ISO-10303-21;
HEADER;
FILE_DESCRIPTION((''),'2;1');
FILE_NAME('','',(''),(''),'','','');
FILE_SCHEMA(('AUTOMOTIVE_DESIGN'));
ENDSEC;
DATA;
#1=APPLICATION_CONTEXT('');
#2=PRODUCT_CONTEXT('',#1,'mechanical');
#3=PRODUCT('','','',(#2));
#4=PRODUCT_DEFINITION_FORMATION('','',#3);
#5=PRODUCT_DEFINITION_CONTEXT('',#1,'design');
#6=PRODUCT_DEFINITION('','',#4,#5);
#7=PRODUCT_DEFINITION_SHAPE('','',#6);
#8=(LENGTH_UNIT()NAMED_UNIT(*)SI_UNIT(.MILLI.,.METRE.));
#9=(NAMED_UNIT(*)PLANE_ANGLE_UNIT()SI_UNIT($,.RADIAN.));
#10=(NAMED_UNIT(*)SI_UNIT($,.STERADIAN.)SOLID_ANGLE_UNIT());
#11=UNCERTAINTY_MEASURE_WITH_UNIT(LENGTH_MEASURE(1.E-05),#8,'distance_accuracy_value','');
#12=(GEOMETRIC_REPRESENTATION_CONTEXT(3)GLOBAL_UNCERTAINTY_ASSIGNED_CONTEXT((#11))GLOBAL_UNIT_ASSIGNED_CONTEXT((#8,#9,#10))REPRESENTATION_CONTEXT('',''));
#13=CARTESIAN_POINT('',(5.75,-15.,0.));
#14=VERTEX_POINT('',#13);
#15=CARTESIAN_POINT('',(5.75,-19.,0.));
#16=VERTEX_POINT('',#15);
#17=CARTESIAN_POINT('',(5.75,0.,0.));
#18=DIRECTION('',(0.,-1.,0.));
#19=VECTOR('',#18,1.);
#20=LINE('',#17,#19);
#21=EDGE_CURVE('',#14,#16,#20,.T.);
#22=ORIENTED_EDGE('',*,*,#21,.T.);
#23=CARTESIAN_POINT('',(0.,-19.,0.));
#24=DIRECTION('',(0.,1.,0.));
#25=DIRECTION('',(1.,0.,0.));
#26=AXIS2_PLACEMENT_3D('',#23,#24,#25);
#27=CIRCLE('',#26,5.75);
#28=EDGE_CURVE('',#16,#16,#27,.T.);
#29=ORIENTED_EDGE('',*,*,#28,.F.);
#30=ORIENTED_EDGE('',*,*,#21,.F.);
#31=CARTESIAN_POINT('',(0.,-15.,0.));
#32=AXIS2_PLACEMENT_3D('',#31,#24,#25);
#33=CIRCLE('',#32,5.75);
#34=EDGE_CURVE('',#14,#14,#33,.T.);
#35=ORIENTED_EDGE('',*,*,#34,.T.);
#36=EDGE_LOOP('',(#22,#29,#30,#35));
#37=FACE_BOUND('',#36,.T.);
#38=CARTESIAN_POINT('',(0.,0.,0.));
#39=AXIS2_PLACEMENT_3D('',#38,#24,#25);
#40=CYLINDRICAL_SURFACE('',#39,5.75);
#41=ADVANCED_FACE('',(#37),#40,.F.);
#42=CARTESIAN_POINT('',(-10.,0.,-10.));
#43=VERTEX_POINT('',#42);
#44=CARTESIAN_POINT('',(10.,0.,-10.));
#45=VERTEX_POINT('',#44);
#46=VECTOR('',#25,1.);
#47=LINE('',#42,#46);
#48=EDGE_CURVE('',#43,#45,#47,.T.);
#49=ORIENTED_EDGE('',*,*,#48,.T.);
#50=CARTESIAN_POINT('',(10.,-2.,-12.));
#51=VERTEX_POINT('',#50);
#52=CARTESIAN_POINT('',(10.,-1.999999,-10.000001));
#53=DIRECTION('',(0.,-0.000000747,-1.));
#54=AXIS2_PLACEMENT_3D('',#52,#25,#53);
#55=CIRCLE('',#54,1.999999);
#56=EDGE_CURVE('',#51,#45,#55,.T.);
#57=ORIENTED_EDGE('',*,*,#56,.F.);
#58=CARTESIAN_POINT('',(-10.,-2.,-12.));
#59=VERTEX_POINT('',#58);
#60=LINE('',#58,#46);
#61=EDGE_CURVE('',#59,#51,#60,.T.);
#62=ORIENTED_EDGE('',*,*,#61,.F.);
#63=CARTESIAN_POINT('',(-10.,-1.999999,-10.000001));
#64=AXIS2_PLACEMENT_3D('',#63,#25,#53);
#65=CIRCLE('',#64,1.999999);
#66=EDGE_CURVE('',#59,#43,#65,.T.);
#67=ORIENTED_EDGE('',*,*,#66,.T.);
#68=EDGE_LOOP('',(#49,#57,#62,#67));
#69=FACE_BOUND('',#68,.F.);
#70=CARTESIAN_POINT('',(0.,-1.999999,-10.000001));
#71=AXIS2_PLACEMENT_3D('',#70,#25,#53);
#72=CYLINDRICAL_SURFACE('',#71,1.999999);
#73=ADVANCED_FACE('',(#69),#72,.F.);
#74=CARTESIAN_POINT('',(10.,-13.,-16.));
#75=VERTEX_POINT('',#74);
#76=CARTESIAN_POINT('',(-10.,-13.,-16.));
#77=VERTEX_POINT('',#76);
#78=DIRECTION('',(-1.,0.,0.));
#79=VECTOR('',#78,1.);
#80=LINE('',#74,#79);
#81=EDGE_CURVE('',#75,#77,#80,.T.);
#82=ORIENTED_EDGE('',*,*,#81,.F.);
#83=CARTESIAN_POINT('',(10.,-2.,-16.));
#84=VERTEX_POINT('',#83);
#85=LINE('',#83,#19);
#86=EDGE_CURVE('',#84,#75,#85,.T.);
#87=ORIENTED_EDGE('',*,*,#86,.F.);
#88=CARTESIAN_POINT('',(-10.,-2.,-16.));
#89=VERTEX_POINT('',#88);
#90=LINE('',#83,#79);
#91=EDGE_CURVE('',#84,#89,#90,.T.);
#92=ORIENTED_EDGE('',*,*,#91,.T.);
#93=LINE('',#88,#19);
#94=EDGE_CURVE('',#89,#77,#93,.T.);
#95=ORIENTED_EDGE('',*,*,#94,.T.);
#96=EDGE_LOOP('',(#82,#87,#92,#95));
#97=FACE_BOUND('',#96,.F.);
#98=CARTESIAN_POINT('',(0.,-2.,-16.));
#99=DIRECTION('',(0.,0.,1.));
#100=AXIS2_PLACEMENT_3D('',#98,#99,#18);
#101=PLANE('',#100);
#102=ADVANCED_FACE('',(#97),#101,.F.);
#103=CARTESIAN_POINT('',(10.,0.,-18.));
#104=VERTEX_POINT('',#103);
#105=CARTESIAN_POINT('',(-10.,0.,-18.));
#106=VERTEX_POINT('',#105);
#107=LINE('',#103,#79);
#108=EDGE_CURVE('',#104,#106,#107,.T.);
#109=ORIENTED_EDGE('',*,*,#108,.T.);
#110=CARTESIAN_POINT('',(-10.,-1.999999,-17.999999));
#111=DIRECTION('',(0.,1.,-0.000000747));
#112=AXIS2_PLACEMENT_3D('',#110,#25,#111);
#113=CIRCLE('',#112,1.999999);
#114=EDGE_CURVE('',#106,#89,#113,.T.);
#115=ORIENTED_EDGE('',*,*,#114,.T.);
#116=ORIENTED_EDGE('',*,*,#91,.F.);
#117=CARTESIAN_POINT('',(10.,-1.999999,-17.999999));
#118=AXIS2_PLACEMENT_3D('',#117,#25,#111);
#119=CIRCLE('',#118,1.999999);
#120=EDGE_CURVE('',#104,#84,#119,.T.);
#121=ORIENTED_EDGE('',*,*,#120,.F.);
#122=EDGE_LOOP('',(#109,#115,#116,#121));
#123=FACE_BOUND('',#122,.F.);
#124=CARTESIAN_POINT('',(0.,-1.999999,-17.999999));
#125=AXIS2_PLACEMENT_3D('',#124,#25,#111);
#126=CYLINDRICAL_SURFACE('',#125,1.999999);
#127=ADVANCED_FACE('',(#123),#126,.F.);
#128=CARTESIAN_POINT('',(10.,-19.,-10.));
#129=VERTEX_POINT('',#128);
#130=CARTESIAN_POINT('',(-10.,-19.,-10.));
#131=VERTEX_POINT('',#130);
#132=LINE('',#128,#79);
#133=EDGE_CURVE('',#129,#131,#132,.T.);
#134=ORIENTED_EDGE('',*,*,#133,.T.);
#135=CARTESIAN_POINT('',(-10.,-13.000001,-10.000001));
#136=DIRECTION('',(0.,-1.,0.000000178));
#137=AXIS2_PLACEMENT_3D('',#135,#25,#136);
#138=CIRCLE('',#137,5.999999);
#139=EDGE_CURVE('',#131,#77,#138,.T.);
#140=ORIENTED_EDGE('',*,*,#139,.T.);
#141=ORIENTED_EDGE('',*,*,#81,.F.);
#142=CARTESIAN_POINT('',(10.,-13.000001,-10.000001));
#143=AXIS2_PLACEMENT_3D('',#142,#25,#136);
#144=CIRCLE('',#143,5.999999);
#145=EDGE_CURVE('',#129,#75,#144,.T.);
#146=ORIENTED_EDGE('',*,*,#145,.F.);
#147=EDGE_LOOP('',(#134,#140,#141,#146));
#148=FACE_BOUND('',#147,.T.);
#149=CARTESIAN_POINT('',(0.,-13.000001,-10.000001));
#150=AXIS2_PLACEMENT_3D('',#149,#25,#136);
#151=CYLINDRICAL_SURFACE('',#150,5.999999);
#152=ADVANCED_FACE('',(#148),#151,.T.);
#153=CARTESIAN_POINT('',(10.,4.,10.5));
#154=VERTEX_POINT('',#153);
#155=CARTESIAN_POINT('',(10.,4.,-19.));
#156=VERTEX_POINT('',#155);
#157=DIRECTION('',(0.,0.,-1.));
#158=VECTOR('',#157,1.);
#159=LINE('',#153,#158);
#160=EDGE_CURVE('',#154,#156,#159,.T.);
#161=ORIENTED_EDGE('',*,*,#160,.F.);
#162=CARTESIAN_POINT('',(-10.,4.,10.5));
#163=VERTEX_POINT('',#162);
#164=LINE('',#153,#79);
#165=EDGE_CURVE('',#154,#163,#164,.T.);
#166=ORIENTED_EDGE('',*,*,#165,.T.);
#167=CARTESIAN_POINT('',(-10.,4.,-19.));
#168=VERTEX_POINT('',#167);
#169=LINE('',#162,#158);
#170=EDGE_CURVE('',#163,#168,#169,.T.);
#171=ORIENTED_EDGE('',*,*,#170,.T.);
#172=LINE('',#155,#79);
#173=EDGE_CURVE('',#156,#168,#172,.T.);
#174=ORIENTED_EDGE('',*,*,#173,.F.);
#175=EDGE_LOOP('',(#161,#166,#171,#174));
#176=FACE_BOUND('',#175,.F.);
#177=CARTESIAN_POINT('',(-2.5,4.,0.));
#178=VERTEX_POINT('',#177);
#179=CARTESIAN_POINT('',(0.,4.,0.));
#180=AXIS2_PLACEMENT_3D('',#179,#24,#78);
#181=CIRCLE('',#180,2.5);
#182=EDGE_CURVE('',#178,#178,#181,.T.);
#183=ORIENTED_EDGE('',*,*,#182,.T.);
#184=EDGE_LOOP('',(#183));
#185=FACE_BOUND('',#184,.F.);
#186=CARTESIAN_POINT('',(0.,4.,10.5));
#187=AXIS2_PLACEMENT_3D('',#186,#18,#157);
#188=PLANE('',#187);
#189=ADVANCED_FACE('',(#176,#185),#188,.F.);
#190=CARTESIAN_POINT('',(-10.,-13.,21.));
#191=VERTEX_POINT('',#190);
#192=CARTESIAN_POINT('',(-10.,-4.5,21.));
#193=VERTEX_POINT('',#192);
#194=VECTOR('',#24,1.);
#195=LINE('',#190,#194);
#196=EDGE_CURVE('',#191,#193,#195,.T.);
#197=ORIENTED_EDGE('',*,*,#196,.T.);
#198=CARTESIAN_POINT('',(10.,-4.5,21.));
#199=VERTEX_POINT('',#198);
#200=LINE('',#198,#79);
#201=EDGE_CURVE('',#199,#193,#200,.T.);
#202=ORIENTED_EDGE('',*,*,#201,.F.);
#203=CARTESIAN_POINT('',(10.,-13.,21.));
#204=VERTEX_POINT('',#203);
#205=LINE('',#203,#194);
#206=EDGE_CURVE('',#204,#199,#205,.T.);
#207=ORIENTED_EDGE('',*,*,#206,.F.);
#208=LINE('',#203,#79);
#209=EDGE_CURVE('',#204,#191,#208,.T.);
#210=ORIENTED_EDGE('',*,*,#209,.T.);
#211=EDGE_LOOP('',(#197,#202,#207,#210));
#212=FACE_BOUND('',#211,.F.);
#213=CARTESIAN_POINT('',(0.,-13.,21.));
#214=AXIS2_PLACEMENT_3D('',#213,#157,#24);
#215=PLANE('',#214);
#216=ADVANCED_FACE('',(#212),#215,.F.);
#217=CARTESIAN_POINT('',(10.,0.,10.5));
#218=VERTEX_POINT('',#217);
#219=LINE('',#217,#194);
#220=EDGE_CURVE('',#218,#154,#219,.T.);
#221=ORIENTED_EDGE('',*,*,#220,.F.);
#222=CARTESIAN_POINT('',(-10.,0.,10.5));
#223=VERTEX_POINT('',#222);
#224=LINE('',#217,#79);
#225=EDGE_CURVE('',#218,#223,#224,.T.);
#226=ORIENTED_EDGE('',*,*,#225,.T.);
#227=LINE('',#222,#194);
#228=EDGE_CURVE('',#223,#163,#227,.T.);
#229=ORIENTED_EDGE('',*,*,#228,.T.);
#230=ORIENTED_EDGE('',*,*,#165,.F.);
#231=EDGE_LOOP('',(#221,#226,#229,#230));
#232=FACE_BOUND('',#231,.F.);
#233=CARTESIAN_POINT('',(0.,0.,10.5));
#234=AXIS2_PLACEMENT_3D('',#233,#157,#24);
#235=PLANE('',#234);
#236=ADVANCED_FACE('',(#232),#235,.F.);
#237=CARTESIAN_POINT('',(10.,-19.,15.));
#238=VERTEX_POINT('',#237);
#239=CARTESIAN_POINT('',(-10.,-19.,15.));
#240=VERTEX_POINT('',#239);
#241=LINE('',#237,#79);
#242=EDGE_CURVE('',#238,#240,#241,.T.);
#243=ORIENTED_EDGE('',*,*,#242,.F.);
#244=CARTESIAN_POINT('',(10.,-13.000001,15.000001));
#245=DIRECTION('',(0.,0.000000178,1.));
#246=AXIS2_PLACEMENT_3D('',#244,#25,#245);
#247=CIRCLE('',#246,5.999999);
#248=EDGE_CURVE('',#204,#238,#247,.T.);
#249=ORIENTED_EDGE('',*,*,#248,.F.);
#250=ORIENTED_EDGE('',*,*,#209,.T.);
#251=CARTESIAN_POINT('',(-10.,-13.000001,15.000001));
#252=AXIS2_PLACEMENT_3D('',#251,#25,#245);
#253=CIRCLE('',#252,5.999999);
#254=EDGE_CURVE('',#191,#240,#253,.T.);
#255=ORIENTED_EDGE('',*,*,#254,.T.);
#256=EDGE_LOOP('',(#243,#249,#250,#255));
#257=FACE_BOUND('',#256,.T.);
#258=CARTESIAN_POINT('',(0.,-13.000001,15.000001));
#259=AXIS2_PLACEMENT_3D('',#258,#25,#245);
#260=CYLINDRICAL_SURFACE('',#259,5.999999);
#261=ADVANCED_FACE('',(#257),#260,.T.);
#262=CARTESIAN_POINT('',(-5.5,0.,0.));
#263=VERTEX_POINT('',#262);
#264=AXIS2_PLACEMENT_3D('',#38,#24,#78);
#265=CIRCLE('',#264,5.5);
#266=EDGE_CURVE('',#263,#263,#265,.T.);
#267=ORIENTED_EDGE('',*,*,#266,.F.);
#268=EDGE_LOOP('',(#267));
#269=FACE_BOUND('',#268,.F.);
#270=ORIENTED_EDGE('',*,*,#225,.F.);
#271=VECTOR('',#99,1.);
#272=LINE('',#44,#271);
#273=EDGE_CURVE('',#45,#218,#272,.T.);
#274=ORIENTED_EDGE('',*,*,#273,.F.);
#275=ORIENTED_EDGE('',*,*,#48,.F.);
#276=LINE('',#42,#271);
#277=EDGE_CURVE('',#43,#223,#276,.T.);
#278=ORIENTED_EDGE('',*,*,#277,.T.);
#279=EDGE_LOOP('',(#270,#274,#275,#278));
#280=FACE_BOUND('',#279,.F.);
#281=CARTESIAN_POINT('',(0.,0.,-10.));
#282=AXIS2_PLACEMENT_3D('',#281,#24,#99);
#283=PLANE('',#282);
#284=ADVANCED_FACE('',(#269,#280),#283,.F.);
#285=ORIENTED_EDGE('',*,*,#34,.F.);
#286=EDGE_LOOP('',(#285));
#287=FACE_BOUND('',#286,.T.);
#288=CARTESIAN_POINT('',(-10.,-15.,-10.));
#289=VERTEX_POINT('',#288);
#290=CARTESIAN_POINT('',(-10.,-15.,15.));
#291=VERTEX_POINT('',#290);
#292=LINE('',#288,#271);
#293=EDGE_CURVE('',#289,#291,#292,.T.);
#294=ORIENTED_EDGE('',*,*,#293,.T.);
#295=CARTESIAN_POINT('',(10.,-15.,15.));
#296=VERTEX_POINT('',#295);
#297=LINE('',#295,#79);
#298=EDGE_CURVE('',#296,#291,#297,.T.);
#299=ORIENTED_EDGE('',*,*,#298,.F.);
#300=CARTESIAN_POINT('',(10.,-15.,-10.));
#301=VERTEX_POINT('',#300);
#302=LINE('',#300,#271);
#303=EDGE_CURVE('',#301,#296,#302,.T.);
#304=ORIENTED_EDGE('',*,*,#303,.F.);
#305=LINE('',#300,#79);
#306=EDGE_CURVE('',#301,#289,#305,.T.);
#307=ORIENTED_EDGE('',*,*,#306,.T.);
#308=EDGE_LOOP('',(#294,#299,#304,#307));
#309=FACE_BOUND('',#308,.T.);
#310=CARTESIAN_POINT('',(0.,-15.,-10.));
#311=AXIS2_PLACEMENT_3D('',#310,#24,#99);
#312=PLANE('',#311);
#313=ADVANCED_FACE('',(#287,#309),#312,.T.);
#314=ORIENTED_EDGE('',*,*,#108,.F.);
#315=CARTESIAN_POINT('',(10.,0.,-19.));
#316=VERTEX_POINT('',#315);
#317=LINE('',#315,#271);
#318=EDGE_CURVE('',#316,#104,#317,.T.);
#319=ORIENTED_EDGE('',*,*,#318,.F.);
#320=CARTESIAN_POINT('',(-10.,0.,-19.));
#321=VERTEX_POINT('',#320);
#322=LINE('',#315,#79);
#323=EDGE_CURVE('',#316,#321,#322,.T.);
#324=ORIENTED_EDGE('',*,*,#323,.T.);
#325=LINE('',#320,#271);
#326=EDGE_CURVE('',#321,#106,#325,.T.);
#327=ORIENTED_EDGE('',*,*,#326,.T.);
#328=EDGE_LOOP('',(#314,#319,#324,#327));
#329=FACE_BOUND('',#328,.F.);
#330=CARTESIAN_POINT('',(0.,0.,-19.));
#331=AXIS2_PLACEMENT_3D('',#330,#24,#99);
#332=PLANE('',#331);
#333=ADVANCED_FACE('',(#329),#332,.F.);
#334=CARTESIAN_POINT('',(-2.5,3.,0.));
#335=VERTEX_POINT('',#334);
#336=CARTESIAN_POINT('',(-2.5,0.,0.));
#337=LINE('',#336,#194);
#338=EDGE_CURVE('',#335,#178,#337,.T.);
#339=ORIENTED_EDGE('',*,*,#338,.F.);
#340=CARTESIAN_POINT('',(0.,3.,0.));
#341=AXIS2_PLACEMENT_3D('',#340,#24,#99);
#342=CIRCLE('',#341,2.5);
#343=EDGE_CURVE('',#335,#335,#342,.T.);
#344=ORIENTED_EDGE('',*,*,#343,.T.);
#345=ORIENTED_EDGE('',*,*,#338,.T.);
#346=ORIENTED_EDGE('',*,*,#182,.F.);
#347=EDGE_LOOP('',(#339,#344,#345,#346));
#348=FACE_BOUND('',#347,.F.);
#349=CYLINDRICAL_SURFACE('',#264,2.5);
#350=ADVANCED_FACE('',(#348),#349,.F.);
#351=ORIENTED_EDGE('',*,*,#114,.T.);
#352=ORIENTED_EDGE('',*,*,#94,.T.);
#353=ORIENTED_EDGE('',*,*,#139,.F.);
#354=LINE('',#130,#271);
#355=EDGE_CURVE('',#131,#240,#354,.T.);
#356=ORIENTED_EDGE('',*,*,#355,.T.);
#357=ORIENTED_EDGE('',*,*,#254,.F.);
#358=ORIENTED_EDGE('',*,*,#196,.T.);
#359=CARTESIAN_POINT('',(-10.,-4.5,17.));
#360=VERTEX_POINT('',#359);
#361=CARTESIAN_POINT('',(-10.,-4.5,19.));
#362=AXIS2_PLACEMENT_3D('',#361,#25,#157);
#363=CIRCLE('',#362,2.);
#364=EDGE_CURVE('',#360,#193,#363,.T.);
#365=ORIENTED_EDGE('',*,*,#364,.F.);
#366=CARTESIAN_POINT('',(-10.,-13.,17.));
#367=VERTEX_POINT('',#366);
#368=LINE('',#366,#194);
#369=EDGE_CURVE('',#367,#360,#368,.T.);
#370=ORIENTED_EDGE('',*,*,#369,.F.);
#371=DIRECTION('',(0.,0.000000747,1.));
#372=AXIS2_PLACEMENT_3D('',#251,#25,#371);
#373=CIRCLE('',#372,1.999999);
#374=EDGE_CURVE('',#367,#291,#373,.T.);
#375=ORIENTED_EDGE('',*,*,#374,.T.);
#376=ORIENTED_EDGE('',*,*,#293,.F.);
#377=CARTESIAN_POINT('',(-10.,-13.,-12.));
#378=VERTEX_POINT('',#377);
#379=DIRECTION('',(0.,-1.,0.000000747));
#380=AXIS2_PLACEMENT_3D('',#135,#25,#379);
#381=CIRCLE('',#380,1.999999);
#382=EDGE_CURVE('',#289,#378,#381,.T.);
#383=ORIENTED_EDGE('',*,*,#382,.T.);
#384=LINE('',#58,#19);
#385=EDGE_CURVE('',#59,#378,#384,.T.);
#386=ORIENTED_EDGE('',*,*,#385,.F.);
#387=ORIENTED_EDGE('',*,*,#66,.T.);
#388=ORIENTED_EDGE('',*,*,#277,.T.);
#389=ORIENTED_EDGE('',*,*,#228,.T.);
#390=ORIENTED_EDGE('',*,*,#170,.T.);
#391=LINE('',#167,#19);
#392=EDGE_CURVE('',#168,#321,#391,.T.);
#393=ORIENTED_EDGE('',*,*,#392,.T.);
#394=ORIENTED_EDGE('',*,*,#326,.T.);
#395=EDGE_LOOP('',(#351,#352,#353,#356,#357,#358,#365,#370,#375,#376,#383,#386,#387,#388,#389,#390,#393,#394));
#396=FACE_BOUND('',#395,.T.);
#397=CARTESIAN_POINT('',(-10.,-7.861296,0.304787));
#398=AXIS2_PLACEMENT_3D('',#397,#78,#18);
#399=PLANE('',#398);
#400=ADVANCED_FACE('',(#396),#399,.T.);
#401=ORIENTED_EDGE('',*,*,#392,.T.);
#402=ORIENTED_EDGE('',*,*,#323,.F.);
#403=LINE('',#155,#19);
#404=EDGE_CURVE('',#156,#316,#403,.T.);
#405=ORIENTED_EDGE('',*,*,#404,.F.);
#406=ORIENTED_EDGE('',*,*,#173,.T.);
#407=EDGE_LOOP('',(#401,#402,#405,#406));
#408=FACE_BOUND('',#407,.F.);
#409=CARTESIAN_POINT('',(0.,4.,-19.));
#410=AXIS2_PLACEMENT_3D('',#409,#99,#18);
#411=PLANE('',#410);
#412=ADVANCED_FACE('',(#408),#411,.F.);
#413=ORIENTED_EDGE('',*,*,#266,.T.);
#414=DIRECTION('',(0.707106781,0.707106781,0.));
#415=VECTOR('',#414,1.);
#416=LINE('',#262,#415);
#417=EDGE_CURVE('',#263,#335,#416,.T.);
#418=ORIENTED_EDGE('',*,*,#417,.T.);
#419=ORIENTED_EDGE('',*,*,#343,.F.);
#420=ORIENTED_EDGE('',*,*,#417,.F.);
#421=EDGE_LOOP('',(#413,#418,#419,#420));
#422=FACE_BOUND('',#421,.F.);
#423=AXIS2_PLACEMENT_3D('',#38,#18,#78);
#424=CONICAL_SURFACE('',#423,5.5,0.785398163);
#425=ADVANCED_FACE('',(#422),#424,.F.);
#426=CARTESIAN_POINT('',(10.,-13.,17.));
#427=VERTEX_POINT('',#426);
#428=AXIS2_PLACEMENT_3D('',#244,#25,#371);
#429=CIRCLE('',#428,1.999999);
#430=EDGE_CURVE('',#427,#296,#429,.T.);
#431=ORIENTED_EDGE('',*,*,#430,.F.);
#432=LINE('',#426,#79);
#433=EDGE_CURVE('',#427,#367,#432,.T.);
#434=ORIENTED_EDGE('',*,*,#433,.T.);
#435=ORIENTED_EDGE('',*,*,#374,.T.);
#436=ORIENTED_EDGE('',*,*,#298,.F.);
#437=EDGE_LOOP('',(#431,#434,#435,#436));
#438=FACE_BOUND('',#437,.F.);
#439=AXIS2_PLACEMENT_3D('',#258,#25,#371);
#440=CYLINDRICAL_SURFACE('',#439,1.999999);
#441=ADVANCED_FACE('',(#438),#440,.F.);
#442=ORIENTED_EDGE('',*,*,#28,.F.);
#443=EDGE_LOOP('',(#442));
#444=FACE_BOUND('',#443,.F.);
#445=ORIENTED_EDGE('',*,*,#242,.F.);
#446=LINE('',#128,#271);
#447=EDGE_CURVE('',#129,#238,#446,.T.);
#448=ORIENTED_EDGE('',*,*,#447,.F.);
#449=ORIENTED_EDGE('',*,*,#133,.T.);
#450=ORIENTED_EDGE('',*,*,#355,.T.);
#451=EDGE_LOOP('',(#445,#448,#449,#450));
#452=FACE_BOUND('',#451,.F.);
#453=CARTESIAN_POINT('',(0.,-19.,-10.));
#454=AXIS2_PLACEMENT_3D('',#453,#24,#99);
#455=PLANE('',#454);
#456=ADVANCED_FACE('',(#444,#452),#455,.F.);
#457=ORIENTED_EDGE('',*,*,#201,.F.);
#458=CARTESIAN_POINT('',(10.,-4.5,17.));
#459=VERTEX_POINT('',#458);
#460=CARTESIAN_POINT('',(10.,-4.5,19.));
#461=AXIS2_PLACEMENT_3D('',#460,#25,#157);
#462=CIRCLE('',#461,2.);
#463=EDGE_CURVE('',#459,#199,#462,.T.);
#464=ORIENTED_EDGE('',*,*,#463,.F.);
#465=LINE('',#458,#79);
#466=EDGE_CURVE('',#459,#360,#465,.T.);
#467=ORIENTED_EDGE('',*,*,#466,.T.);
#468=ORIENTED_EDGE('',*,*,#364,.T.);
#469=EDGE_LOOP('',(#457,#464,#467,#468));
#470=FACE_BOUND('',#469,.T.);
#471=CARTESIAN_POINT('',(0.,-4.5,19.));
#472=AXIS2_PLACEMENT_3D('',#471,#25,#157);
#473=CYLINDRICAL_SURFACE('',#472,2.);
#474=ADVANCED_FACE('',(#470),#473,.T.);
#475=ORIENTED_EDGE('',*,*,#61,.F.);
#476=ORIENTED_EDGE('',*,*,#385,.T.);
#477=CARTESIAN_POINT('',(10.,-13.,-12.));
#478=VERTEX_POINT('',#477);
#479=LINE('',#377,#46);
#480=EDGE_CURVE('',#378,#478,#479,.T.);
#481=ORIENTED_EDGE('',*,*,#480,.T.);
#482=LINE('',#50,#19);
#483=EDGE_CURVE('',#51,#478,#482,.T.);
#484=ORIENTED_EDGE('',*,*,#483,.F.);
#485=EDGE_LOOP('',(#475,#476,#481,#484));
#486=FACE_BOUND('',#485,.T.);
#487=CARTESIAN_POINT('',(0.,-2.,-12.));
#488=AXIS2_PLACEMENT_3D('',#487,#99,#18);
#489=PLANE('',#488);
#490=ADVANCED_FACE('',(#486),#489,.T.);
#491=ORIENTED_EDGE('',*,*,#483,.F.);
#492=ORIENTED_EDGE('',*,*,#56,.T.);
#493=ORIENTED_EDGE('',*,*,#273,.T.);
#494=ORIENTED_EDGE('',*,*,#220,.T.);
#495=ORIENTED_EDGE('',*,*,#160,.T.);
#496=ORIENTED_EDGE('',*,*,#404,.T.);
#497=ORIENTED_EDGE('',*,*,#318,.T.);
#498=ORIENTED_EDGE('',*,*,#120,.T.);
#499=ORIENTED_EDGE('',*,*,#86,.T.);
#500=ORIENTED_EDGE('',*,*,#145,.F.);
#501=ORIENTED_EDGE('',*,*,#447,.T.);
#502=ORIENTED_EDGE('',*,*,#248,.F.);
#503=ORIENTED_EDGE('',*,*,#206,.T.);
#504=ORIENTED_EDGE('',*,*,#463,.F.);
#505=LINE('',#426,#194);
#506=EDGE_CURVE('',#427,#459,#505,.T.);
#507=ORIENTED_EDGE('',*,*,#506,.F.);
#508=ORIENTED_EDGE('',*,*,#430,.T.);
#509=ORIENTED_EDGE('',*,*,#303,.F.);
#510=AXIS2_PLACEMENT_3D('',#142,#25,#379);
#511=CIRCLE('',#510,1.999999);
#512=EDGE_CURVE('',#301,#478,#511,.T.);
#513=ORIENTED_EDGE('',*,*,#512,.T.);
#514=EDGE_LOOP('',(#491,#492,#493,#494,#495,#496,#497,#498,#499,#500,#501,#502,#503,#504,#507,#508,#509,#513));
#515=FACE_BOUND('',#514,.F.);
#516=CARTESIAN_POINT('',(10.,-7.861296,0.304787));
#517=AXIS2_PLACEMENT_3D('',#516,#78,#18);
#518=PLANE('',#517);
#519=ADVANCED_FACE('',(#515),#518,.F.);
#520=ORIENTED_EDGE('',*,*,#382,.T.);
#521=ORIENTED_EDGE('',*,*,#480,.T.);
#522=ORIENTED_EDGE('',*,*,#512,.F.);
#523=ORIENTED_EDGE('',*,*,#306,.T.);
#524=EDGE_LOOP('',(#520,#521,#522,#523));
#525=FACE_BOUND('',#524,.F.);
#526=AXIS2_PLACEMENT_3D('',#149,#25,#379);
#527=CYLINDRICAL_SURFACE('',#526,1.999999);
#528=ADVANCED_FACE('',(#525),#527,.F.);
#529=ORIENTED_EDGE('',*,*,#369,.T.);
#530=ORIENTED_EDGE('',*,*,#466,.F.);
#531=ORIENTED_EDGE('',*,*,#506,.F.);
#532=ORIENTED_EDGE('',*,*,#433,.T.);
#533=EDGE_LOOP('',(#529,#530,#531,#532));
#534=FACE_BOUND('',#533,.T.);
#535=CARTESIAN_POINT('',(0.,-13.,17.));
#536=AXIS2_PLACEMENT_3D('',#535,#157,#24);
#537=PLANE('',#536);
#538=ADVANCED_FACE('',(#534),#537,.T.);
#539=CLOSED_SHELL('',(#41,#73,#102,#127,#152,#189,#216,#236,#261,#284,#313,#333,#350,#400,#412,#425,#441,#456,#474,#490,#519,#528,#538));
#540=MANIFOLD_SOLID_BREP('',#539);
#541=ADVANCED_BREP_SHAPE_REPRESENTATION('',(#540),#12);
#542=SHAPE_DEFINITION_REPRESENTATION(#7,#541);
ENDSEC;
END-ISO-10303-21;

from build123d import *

# Parameters (mm, degrees)
PAD_DEPTH        = 10
HOLE_D           = 5
HOLE_CSINK_D     = 11
HOLE_CSINK_ANGLE = 90
SKETCH002_R      = 5.75
POCKET_DEPTH     = 19.001


with BuildPart() as part:
    # Sketch → Pad (new body, symmetric)
    with BuildSketch(Plane.YZ):
        with BuildLine():
            Line((0, -10), (0, 10.5))
            Line((0, 10.5), (4, 10.5))
            Line((4, 10.5), (4, -19))
            Line((4, -19), (0, -19))
            Line((0, -19), (0, -18))
            ThreePointArc((0, -18), (-0.585786, -16.585786), (-2, -16))
            Line((-2, -16), (-13, -16))
            ThreePointArc((-19, -10), (-17.242641, -14.242641), (-13, -16))
            Line((-19, -10), (-19, 15))
            ThreePointArc((-13, 21), (-17.242641, 19.242641), (-19, 15))
            Line((-13, 21), (-4.5, 21))
            ThreePointArc((-4.5, 17), (-2.5, 19), (-4.5, 21))
            Line((-13, 17), (-4.5, 17))
            ThreePointArc((-13, 17), (-14.414214, 16.414214), (-15, 15))
            Line((-15, -10), (-15, 15))
            ThreePointArc((-15, -10), (-14.414214, -11.414214), (-13, -12))
            Line((-2, -12), (-13, -12))
            ThreePointArc((-2, -12), (-0.585786, -11.414214), (0, -10))
        make_face()
    extrude(amount=PAD_DEPTH, both=True)

    # Hole (through all)
    with Locations(Plane.XZ):
        with Locations((0, 0)):
            CounterSinkHole(HOLE_D / 2, HOLE_CSINK_D / 2, counter_sink_angle=HOLE_CSINK_ANGLE)

    # Sketch002 → Pocket (cut, through all)
    with BuildSketch(Plane.XZ):
        Circle(SKETCH002_R)
    extrude(amount=POCKET_DEPTH, mode=Mode.SUBTRACT)


solid = part.part
